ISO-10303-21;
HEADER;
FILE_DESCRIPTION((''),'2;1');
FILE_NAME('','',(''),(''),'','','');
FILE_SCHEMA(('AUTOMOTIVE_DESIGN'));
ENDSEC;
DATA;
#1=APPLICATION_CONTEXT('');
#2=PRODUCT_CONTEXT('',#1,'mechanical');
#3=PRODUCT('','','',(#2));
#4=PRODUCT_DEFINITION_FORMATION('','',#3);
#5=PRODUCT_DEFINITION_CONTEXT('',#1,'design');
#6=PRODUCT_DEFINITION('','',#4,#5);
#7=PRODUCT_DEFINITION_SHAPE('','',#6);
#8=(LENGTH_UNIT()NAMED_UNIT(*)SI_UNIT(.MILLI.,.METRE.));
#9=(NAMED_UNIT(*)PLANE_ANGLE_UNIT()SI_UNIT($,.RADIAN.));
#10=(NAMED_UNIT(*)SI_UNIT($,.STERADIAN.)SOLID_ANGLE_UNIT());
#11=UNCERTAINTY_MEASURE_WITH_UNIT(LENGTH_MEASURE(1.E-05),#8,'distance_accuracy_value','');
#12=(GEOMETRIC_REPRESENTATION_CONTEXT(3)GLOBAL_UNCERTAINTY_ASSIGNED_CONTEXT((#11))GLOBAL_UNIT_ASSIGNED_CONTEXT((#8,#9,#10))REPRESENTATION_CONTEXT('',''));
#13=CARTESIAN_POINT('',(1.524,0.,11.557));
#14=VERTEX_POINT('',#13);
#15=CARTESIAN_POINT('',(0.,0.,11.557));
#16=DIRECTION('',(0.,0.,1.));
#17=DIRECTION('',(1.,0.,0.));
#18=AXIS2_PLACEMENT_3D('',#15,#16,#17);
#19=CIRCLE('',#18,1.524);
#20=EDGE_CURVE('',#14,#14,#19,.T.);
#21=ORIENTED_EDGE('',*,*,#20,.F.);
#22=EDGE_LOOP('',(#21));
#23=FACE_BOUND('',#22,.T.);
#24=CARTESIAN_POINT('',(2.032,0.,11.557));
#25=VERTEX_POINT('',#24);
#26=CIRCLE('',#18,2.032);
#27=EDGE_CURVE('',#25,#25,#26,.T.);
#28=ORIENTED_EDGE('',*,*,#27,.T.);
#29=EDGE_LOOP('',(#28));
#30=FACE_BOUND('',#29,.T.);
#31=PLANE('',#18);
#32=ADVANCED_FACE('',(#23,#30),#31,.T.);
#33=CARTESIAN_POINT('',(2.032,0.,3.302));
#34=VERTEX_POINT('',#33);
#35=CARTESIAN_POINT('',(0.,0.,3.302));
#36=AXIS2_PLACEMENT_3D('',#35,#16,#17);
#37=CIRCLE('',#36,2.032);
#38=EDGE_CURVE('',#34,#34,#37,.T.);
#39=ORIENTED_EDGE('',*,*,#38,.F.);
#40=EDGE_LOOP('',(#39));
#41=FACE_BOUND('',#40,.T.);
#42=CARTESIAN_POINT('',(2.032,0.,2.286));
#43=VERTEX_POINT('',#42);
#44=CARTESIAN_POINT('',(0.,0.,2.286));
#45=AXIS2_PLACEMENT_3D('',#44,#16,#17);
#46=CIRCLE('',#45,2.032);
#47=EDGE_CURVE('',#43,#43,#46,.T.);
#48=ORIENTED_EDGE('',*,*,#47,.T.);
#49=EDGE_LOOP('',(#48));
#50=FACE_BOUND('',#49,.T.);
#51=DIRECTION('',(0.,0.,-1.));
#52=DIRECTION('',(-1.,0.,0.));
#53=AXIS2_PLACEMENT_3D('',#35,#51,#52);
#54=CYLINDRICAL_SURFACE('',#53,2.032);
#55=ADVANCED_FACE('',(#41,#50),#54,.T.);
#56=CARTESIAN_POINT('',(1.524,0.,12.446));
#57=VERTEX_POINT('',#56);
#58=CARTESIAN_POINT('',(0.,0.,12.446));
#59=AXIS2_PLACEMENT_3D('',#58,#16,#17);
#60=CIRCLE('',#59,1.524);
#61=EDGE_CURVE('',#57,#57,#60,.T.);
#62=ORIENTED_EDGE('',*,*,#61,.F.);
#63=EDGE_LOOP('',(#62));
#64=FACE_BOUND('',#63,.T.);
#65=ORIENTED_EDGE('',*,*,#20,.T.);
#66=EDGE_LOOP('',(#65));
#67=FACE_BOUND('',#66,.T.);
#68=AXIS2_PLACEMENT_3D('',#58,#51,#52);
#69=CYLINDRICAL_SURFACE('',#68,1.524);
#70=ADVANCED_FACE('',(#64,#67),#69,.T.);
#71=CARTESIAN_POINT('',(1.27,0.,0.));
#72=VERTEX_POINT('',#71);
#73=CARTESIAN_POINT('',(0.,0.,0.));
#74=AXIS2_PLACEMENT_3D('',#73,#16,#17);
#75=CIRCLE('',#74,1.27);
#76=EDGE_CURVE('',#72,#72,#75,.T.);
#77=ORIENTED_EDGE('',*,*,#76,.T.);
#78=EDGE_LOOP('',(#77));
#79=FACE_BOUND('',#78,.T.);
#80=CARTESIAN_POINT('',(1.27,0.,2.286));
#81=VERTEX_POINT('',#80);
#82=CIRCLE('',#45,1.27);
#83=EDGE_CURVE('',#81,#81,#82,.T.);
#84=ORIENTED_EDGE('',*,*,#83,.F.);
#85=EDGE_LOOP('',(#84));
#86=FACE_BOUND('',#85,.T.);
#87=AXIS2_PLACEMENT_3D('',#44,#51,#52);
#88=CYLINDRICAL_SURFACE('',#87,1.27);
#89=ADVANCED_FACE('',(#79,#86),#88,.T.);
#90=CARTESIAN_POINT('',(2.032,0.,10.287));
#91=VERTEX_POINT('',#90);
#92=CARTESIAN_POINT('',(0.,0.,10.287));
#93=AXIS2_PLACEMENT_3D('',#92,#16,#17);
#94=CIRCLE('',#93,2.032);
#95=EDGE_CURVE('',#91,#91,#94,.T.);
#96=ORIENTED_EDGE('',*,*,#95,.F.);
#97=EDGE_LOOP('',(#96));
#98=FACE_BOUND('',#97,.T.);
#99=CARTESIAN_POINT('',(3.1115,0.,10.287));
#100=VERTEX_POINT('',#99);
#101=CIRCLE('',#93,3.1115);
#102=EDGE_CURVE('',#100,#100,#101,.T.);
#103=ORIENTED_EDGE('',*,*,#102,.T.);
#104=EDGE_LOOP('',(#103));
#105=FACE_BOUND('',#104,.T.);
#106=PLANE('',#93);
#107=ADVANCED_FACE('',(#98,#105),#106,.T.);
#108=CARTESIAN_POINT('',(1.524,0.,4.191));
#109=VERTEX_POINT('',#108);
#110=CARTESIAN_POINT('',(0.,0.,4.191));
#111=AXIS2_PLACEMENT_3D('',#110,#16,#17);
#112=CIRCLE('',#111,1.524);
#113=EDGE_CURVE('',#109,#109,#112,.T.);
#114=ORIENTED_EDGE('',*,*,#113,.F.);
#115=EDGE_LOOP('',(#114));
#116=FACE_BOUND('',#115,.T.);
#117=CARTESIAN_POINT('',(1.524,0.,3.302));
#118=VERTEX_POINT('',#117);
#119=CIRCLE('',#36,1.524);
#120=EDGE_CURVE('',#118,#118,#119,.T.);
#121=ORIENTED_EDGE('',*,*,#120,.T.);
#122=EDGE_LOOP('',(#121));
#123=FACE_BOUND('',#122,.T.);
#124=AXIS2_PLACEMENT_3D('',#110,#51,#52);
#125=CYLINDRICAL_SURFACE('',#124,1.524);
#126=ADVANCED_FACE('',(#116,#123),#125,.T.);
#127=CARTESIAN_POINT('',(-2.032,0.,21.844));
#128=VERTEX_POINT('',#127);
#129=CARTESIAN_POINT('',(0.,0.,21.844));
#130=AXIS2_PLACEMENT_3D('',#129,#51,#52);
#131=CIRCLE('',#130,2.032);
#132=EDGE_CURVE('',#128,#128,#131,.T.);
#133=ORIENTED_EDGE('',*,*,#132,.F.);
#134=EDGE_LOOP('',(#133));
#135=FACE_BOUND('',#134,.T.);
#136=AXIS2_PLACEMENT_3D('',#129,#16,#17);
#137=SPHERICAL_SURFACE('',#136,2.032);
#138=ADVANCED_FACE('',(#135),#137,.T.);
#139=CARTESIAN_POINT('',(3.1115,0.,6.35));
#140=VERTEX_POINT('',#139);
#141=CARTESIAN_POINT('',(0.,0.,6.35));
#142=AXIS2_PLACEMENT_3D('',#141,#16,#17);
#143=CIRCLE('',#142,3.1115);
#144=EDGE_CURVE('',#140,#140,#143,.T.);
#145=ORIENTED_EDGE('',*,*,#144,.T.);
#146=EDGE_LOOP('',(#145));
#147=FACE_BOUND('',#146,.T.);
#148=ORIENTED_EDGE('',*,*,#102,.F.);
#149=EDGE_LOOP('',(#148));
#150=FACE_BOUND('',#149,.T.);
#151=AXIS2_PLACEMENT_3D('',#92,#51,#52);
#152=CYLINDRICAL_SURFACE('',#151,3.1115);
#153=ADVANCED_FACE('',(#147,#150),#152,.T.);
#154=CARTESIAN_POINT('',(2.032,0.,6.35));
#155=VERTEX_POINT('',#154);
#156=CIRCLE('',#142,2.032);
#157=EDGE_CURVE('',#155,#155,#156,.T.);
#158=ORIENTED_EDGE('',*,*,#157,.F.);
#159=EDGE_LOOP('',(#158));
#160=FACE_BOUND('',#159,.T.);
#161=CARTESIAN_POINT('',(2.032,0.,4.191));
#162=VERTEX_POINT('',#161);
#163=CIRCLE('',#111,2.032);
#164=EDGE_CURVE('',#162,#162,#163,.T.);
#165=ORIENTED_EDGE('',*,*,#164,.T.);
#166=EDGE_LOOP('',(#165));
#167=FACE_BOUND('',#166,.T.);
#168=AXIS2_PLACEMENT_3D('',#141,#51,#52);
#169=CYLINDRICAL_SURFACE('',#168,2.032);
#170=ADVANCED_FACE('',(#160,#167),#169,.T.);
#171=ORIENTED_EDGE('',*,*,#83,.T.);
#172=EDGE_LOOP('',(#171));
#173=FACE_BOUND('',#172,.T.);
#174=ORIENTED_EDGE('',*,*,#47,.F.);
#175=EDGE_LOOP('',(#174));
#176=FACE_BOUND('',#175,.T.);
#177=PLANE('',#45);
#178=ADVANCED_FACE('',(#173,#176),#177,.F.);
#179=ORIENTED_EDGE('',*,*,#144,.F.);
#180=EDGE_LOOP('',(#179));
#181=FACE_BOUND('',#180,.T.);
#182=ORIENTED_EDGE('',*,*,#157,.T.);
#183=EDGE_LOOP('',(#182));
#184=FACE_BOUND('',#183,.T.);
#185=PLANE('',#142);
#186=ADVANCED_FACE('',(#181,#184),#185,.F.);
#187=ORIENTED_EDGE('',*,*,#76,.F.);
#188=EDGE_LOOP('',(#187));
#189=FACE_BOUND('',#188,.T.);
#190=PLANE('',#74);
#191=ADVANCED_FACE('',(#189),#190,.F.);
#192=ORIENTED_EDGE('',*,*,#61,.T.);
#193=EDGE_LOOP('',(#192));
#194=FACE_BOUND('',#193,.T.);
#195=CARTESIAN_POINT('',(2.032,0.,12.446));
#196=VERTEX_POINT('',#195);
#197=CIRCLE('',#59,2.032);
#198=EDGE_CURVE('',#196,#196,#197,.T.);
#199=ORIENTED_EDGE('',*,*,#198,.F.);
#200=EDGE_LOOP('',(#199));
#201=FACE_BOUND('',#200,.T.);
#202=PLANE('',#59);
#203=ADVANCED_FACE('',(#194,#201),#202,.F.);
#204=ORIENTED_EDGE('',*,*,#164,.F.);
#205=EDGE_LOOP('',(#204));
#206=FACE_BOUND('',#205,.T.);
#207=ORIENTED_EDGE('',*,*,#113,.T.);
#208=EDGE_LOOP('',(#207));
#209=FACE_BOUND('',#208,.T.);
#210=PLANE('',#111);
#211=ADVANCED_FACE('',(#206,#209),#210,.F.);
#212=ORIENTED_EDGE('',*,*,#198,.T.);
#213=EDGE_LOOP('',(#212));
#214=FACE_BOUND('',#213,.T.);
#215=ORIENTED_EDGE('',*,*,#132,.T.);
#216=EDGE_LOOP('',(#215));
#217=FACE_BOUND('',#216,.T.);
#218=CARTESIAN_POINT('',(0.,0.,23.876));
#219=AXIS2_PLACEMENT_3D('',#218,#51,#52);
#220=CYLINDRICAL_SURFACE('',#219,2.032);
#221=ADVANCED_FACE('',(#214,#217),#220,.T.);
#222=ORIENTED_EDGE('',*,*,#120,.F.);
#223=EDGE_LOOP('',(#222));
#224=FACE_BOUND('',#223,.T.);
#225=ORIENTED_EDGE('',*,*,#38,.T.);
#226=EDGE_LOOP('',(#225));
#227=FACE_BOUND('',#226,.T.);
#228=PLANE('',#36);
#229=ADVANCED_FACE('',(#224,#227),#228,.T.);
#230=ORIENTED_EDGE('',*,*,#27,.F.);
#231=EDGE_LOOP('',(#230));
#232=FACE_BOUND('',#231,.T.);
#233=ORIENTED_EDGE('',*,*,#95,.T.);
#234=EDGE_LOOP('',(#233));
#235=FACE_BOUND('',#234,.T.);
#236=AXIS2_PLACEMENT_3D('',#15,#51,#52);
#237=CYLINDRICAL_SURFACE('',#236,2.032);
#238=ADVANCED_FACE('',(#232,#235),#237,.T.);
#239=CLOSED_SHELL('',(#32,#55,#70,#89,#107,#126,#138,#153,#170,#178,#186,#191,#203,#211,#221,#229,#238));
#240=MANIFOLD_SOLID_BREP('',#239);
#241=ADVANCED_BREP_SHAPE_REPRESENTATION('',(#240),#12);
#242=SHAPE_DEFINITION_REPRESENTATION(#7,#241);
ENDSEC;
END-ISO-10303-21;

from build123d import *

# Parameters (mm, degrees)
SKETCH1_R           = 1.27
BOSS_EXTRUDE1_DEPTH = 2.286
SKETCH2_R           = 2.032
BOSS_EXTRUDE2_DEPTH = 1.016
SKETCH3_R           = 1.524
BOSS_EXTRUDE3_DEPTH = 0.889
SKETCH4_R           = 2.032
BOSS_EXTRUDE4_DEPTH = 2.159
SKETCH6_R           = 3.1115
BOSS_EXTRUDE5_DEPTH = 3.937
SKETCH7_R           = 2.032
BOSS_EXTRUDE6_DEPTH = 1.27
SKETCH8_R           = 1.524
BOSS_EXTRUDE7_DEPTH = 0.889
SKETCH9_R           = 2.032
BOSS_EXTRUDE8_DEPTH = 11.43
FILLET1_R           = 2.032


with BuildPart() as part:
    # Sketch1 → Boss-Extrude1 (new body)
    with BuildSketch(Plane.XY):
        Circle(SKETCH1_R)
    extrude(amount=BOSS_EXTRUDE1_DEPTH)

    # Sketch2 → Boss-Extrude2 (add)
    with BuildSketch(Plane.XY.offset(2.286)):
        Circle(SKETCH2_R)
    extrude(amount=BOSS_EXTRUDE2_DEPTH)

    # Sketch3 → Boss-Extrude3 (add)
    with BuildSketch(Plane.XY.offset(3.302)):
        Circle(SKETCH3_R)
    extrude(amount=BOSS_EXTRUDE3_DEPTH)

    # Sketch4 → Boss-Extrude4 (add)
    with BuildSketch(Plane.XY.offset(4.191)):
        Circle(SKETCH4_R)
    extrude(amount=BOSS_EXTRUDE4_DEPTH)

    # Sketch6 → Boss-Extrude5 (add)
    with BuildSketch(Plane.XY.offset(6.35)):
        Circle(SKETCH6_R)
    extrude(amount=BOSS_EXTRUDE5_DEPTH)

    # Sketch7 → Boss-Extrude6 (add)
    with BuildSketch(Plane.XY.offset(10.287)):
        Circle(SKETCH7_R)
    extrude(amount=BOSS_EXTRUDE6_DEPTH)

    # Sketch8 → Boss-Extrude7 (add)
    with BuildSketch(Plane.XY.offset(11.557)):
        Circle(SKETCH8_R)
    extrude(amount=BOSS_EXTRUDE7_DEPTH)

    # Sketch9 → Boss-Extrude8 (add)
    with BuildSketch(Plane.XY.offset(12.446)):
        Circle(SKETCH9_R)
    extrude(amount=BOSS_EXTRUDE8_DEPTH)

    # Fillet1
    fillet1_edges = [part.edges().sort_by_distance(p)[0] for p in [
        (-2.032, 0, 23.876),
    ]]
    fillet(fillet1_edges, radius=FILLET1_R)


solid = part.part
